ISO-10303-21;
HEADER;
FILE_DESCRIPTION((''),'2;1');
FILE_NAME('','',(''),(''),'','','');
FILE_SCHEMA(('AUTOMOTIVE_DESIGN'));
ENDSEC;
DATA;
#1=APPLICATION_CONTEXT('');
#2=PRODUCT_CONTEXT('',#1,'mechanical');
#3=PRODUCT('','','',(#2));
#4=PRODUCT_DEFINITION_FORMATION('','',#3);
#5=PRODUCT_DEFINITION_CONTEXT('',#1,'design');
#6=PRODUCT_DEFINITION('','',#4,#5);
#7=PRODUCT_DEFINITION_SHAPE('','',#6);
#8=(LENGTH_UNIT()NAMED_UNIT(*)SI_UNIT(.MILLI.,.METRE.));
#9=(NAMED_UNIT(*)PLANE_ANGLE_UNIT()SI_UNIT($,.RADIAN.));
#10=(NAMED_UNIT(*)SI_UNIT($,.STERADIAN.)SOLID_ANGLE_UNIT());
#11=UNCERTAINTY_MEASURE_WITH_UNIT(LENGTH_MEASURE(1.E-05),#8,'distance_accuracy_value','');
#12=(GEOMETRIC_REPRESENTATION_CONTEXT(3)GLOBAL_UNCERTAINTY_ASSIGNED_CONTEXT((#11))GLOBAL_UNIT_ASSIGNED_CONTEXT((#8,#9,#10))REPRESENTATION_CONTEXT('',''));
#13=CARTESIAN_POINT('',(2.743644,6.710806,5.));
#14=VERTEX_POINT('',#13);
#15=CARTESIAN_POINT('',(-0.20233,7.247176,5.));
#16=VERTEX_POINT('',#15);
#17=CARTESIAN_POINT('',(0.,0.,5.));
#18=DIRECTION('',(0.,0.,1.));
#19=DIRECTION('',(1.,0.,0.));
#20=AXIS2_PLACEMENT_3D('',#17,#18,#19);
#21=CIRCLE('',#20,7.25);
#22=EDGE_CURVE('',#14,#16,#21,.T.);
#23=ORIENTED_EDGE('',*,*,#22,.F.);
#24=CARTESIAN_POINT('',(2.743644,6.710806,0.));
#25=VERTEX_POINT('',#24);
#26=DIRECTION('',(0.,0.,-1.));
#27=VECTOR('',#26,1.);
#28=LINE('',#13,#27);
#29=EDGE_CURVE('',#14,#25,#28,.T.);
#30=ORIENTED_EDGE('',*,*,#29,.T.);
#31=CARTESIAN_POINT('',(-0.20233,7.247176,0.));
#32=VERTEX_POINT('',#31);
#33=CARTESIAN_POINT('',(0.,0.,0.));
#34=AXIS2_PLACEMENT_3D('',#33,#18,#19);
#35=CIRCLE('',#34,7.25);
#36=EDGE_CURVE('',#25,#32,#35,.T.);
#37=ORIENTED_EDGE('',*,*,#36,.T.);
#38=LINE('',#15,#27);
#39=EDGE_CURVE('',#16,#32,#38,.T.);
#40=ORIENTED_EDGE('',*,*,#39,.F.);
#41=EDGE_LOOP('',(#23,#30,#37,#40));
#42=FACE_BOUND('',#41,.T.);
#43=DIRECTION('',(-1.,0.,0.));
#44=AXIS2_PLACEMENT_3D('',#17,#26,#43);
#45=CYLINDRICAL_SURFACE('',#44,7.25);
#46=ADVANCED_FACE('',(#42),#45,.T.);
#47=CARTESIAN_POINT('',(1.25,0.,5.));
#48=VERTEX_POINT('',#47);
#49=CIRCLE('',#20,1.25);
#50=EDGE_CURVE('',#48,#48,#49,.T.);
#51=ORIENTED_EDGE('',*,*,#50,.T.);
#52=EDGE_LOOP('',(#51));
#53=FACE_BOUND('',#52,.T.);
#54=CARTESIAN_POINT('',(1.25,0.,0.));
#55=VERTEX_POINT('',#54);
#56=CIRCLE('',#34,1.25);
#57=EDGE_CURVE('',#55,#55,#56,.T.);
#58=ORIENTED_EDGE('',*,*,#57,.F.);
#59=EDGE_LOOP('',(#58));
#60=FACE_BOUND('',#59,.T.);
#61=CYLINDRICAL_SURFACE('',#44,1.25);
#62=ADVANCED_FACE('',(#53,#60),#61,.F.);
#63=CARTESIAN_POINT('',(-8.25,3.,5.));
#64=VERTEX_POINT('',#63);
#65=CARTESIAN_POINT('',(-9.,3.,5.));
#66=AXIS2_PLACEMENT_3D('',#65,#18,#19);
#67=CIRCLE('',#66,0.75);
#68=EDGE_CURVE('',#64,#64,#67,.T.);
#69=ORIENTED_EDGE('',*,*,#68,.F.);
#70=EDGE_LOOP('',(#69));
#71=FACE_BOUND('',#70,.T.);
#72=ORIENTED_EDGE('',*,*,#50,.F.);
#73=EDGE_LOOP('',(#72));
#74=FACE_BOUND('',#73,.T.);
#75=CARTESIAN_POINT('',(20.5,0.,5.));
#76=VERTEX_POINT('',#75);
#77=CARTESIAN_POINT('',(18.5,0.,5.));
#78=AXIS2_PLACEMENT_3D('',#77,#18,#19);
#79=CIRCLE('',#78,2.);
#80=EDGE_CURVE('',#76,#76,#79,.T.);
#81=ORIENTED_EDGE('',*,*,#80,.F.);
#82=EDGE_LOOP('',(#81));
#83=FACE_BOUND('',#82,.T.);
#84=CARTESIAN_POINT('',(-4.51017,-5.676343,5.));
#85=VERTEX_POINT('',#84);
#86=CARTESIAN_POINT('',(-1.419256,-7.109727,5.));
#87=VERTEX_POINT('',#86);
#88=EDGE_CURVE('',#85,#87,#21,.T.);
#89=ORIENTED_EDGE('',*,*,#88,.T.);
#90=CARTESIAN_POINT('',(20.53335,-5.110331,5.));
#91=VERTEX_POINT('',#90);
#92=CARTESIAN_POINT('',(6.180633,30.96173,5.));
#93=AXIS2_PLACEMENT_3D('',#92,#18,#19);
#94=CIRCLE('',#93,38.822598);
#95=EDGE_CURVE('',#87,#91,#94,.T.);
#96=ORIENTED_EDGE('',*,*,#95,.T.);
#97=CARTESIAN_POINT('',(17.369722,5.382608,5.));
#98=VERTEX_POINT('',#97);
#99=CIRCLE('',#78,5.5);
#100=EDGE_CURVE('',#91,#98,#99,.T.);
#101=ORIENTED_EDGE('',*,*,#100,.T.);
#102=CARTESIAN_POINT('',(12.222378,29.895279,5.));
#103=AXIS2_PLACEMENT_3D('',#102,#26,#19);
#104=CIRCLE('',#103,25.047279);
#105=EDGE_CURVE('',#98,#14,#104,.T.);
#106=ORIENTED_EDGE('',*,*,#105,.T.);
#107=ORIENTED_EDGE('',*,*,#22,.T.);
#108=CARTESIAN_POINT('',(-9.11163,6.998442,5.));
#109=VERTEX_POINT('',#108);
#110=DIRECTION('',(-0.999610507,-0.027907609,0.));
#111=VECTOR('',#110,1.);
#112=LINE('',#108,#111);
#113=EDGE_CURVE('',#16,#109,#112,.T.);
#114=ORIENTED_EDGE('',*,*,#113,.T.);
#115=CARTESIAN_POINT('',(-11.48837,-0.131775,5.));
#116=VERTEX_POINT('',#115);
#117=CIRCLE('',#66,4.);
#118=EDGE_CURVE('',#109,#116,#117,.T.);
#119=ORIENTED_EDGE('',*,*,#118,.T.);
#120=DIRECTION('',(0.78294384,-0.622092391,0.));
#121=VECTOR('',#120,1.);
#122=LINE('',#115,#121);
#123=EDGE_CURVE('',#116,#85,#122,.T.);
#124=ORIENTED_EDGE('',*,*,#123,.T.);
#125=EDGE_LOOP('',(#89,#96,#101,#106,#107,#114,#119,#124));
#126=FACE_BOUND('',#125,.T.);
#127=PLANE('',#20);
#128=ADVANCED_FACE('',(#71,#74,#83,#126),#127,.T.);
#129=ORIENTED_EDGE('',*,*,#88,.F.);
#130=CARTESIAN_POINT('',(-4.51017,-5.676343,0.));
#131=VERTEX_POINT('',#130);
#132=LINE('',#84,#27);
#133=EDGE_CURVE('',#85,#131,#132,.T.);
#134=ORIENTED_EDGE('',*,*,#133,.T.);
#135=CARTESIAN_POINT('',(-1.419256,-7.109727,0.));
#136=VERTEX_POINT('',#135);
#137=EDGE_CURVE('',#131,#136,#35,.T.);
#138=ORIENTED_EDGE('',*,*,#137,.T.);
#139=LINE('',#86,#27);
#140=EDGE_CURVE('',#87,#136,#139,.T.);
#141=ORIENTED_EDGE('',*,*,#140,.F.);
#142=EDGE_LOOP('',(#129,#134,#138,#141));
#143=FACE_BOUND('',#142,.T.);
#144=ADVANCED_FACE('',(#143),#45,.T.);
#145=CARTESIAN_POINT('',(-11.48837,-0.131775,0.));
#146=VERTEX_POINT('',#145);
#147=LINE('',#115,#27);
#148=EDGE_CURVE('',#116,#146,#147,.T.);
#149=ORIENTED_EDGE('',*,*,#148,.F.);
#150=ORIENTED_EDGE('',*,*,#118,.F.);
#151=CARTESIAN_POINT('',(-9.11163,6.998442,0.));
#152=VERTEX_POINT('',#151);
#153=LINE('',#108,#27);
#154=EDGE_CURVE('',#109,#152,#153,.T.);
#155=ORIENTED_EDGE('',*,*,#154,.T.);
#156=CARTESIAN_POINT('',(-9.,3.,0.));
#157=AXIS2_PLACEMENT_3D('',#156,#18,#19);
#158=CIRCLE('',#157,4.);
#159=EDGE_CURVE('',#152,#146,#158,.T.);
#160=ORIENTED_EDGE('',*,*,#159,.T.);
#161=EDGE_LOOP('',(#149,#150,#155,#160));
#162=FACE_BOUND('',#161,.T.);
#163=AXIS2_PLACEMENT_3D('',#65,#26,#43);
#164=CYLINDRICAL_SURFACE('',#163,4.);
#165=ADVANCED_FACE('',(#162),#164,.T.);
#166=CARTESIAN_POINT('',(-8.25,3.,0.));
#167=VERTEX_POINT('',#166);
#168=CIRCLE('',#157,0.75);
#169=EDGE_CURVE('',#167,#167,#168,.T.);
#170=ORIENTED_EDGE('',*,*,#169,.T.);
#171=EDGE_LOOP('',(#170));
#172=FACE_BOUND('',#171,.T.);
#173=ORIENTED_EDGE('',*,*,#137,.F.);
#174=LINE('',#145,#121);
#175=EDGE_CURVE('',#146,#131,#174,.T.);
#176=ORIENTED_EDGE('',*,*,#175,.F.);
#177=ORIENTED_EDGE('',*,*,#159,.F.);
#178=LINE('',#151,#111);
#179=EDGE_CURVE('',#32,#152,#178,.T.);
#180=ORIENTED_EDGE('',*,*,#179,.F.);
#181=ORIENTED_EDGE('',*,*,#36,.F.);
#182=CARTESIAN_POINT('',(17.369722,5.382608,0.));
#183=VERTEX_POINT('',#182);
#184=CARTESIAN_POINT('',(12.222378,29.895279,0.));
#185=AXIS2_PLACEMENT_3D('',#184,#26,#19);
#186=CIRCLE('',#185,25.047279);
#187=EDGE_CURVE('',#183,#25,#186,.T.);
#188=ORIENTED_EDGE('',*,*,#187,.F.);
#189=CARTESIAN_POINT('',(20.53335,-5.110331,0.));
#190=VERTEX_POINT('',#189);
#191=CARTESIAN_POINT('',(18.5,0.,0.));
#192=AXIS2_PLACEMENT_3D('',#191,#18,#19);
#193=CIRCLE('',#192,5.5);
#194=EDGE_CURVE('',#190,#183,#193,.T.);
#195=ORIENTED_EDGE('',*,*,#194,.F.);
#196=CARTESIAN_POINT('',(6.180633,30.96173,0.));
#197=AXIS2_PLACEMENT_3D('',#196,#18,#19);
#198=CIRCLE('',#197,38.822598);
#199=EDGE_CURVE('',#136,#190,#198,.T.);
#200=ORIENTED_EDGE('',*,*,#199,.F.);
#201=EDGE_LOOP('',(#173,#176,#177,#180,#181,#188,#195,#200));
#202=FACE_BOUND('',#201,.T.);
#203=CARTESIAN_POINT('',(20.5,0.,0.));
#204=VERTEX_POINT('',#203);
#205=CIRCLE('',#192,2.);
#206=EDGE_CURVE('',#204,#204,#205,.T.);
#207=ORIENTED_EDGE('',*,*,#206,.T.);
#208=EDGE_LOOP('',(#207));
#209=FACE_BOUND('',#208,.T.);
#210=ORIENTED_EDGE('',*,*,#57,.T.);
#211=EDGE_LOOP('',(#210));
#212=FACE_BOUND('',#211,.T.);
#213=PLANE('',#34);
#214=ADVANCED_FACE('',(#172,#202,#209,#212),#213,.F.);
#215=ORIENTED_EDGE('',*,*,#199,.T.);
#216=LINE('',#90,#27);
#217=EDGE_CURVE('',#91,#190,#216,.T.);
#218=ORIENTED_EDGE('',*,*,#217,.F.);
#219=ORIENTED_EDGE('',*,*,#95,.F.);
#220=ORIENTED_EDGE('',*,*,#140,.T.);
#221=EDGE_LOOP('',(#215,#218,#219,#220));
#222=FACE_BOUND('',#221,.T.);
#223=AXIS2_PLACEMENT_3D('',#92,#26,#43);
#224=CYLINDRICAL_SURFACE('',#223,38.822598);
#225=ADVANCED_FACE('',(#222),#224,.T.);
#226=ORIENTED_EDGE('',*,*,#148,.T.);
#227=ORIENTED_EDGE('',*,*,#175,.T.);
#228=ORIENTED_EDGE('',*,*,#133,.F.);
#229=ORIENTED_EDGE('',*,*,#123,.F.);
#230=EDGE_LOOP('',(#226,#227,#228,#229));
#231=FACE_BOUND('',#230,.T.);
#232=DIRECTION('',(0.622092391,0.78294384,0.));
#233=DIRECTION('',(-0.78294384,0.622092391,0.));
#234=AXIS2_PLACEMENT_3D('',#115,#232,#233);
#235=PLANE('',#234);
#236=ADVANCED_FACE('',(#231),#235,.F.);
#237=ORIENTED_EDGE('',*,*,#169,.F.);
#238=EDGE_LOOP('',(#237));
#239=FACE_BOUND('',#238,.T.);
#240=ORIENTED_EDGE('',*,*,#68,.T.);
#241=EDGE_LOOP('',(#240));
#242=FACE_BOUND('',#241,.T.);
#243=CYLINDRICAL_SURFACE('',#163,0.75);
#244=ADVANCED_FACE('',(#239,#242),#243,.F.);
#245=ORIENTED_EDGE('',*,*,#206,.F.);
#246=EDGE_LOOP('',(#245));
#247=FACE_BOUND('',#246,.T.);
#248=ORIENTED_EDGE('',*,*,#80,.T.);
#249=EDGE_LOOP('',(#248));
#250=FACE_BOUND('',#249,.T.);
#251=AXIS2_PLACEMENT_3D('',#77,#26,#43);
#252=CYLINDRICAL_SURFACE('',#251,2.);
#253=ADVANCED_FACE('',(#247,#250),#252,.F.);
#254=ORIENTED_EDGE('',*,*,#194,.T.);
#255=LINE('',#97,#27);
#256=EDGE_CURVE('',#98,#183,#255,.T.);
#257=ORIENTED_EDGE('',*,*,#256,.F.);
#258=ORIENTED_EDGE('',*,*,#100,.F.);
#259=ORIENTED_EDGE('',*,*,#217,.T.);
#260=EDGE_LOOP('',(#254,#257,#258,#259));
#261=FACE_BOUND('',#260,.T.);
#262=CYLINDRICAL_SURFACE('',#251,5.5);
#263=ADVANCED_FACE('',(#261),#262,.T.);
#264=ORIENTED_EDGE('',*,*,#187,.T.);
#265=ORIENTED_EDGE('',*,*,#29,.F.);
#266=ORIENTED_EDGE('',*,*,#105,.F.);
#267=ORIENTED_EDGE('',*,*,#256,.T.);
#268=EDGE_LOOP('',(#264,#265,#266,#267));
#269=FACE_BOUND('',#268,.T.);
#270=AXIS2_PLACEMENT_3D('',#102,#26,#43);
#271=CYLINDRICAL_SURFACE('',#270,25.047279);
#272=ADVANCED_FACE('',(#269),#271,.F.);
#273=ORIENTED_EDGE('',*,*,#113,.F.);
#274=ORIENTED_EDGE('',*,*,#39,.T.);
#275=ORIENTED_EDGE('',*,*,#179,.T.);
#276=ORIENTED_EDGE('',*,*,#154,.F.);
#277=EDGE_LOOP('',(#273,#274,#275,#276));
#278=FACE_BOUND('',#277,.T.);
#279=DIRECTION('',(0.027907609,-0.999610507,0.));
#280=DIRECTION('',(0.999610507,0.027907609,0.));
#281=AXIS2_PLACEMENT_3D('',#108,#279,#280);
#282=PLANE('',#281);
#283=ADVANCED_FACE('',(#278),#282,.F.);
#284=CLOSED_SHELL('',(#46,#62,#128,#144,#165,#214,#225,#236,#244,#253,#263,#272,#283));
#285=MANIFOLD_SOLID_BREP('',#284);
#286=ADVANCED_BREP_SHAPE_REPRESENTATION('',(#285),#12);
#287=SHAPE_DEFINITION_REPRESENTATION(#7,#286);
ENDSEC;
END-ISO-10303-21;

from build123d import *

# Parameters (mm, degrees)
SKETCH1_R           = 1.25
SKETCH1_R_2         = 2
SKETCH1_R_3         = 0.75
BOSS_EXTRUDE1_DEPTH = 5


with BuildPart() as part:
    # Sketch1 → Boss-Extrude1 (new body)
    with BuildSketch(Plane.XY):
        with BuildLine():
            Line((-11.488369565, -0.131775361), (-4.510169836, -5.676342841))
            ThreePointArc((-4.510169836, -5.676342841), (-3.050109649, -6.577182613), (-1.419255622, -7.109726681))
            ThreePointArc((-1.419255622, -7.109726681), (9.701935293, -7.700842906), (20.533350493, -5.110331278))
            ThreePointArc((20.533350493, -5.110331278), (23.765864573, 1.587661896), (17.36972181, 5.382608217))
            ThreePointArc((17.36972181, 5.382608217), (9.957149012, 4.950641907), (2.743644121, 6.710805983))
            ThreePointArc((2.743644121, 6.710805983), (1.298650223, 7.132741941), (-0.202330164, 7.247176175))
            Line((-0.202330164, 7.247176175), (-9.111630435, 6.998442027))
            ThreePointArc((-9.111630435, 6.998442027), (-12.794733192, 4.264911064), (-11.488369565, -0.131775361))
        make_face()
        Circle(SKETCH1_R, mode=Mode.SUBTRACT)
        with Locations((18.5, 0)):
            Circle(SKETCH1_R_2, mode=Mode.SUBTRACT)
        with Locations((-9, 3)):
            Circle(SKETCH1_R_3, mode=Mode.SUBTRACT)
    extrude(amount=BOSS_EXTRUDE1_DEPTH)


solid = part.part
